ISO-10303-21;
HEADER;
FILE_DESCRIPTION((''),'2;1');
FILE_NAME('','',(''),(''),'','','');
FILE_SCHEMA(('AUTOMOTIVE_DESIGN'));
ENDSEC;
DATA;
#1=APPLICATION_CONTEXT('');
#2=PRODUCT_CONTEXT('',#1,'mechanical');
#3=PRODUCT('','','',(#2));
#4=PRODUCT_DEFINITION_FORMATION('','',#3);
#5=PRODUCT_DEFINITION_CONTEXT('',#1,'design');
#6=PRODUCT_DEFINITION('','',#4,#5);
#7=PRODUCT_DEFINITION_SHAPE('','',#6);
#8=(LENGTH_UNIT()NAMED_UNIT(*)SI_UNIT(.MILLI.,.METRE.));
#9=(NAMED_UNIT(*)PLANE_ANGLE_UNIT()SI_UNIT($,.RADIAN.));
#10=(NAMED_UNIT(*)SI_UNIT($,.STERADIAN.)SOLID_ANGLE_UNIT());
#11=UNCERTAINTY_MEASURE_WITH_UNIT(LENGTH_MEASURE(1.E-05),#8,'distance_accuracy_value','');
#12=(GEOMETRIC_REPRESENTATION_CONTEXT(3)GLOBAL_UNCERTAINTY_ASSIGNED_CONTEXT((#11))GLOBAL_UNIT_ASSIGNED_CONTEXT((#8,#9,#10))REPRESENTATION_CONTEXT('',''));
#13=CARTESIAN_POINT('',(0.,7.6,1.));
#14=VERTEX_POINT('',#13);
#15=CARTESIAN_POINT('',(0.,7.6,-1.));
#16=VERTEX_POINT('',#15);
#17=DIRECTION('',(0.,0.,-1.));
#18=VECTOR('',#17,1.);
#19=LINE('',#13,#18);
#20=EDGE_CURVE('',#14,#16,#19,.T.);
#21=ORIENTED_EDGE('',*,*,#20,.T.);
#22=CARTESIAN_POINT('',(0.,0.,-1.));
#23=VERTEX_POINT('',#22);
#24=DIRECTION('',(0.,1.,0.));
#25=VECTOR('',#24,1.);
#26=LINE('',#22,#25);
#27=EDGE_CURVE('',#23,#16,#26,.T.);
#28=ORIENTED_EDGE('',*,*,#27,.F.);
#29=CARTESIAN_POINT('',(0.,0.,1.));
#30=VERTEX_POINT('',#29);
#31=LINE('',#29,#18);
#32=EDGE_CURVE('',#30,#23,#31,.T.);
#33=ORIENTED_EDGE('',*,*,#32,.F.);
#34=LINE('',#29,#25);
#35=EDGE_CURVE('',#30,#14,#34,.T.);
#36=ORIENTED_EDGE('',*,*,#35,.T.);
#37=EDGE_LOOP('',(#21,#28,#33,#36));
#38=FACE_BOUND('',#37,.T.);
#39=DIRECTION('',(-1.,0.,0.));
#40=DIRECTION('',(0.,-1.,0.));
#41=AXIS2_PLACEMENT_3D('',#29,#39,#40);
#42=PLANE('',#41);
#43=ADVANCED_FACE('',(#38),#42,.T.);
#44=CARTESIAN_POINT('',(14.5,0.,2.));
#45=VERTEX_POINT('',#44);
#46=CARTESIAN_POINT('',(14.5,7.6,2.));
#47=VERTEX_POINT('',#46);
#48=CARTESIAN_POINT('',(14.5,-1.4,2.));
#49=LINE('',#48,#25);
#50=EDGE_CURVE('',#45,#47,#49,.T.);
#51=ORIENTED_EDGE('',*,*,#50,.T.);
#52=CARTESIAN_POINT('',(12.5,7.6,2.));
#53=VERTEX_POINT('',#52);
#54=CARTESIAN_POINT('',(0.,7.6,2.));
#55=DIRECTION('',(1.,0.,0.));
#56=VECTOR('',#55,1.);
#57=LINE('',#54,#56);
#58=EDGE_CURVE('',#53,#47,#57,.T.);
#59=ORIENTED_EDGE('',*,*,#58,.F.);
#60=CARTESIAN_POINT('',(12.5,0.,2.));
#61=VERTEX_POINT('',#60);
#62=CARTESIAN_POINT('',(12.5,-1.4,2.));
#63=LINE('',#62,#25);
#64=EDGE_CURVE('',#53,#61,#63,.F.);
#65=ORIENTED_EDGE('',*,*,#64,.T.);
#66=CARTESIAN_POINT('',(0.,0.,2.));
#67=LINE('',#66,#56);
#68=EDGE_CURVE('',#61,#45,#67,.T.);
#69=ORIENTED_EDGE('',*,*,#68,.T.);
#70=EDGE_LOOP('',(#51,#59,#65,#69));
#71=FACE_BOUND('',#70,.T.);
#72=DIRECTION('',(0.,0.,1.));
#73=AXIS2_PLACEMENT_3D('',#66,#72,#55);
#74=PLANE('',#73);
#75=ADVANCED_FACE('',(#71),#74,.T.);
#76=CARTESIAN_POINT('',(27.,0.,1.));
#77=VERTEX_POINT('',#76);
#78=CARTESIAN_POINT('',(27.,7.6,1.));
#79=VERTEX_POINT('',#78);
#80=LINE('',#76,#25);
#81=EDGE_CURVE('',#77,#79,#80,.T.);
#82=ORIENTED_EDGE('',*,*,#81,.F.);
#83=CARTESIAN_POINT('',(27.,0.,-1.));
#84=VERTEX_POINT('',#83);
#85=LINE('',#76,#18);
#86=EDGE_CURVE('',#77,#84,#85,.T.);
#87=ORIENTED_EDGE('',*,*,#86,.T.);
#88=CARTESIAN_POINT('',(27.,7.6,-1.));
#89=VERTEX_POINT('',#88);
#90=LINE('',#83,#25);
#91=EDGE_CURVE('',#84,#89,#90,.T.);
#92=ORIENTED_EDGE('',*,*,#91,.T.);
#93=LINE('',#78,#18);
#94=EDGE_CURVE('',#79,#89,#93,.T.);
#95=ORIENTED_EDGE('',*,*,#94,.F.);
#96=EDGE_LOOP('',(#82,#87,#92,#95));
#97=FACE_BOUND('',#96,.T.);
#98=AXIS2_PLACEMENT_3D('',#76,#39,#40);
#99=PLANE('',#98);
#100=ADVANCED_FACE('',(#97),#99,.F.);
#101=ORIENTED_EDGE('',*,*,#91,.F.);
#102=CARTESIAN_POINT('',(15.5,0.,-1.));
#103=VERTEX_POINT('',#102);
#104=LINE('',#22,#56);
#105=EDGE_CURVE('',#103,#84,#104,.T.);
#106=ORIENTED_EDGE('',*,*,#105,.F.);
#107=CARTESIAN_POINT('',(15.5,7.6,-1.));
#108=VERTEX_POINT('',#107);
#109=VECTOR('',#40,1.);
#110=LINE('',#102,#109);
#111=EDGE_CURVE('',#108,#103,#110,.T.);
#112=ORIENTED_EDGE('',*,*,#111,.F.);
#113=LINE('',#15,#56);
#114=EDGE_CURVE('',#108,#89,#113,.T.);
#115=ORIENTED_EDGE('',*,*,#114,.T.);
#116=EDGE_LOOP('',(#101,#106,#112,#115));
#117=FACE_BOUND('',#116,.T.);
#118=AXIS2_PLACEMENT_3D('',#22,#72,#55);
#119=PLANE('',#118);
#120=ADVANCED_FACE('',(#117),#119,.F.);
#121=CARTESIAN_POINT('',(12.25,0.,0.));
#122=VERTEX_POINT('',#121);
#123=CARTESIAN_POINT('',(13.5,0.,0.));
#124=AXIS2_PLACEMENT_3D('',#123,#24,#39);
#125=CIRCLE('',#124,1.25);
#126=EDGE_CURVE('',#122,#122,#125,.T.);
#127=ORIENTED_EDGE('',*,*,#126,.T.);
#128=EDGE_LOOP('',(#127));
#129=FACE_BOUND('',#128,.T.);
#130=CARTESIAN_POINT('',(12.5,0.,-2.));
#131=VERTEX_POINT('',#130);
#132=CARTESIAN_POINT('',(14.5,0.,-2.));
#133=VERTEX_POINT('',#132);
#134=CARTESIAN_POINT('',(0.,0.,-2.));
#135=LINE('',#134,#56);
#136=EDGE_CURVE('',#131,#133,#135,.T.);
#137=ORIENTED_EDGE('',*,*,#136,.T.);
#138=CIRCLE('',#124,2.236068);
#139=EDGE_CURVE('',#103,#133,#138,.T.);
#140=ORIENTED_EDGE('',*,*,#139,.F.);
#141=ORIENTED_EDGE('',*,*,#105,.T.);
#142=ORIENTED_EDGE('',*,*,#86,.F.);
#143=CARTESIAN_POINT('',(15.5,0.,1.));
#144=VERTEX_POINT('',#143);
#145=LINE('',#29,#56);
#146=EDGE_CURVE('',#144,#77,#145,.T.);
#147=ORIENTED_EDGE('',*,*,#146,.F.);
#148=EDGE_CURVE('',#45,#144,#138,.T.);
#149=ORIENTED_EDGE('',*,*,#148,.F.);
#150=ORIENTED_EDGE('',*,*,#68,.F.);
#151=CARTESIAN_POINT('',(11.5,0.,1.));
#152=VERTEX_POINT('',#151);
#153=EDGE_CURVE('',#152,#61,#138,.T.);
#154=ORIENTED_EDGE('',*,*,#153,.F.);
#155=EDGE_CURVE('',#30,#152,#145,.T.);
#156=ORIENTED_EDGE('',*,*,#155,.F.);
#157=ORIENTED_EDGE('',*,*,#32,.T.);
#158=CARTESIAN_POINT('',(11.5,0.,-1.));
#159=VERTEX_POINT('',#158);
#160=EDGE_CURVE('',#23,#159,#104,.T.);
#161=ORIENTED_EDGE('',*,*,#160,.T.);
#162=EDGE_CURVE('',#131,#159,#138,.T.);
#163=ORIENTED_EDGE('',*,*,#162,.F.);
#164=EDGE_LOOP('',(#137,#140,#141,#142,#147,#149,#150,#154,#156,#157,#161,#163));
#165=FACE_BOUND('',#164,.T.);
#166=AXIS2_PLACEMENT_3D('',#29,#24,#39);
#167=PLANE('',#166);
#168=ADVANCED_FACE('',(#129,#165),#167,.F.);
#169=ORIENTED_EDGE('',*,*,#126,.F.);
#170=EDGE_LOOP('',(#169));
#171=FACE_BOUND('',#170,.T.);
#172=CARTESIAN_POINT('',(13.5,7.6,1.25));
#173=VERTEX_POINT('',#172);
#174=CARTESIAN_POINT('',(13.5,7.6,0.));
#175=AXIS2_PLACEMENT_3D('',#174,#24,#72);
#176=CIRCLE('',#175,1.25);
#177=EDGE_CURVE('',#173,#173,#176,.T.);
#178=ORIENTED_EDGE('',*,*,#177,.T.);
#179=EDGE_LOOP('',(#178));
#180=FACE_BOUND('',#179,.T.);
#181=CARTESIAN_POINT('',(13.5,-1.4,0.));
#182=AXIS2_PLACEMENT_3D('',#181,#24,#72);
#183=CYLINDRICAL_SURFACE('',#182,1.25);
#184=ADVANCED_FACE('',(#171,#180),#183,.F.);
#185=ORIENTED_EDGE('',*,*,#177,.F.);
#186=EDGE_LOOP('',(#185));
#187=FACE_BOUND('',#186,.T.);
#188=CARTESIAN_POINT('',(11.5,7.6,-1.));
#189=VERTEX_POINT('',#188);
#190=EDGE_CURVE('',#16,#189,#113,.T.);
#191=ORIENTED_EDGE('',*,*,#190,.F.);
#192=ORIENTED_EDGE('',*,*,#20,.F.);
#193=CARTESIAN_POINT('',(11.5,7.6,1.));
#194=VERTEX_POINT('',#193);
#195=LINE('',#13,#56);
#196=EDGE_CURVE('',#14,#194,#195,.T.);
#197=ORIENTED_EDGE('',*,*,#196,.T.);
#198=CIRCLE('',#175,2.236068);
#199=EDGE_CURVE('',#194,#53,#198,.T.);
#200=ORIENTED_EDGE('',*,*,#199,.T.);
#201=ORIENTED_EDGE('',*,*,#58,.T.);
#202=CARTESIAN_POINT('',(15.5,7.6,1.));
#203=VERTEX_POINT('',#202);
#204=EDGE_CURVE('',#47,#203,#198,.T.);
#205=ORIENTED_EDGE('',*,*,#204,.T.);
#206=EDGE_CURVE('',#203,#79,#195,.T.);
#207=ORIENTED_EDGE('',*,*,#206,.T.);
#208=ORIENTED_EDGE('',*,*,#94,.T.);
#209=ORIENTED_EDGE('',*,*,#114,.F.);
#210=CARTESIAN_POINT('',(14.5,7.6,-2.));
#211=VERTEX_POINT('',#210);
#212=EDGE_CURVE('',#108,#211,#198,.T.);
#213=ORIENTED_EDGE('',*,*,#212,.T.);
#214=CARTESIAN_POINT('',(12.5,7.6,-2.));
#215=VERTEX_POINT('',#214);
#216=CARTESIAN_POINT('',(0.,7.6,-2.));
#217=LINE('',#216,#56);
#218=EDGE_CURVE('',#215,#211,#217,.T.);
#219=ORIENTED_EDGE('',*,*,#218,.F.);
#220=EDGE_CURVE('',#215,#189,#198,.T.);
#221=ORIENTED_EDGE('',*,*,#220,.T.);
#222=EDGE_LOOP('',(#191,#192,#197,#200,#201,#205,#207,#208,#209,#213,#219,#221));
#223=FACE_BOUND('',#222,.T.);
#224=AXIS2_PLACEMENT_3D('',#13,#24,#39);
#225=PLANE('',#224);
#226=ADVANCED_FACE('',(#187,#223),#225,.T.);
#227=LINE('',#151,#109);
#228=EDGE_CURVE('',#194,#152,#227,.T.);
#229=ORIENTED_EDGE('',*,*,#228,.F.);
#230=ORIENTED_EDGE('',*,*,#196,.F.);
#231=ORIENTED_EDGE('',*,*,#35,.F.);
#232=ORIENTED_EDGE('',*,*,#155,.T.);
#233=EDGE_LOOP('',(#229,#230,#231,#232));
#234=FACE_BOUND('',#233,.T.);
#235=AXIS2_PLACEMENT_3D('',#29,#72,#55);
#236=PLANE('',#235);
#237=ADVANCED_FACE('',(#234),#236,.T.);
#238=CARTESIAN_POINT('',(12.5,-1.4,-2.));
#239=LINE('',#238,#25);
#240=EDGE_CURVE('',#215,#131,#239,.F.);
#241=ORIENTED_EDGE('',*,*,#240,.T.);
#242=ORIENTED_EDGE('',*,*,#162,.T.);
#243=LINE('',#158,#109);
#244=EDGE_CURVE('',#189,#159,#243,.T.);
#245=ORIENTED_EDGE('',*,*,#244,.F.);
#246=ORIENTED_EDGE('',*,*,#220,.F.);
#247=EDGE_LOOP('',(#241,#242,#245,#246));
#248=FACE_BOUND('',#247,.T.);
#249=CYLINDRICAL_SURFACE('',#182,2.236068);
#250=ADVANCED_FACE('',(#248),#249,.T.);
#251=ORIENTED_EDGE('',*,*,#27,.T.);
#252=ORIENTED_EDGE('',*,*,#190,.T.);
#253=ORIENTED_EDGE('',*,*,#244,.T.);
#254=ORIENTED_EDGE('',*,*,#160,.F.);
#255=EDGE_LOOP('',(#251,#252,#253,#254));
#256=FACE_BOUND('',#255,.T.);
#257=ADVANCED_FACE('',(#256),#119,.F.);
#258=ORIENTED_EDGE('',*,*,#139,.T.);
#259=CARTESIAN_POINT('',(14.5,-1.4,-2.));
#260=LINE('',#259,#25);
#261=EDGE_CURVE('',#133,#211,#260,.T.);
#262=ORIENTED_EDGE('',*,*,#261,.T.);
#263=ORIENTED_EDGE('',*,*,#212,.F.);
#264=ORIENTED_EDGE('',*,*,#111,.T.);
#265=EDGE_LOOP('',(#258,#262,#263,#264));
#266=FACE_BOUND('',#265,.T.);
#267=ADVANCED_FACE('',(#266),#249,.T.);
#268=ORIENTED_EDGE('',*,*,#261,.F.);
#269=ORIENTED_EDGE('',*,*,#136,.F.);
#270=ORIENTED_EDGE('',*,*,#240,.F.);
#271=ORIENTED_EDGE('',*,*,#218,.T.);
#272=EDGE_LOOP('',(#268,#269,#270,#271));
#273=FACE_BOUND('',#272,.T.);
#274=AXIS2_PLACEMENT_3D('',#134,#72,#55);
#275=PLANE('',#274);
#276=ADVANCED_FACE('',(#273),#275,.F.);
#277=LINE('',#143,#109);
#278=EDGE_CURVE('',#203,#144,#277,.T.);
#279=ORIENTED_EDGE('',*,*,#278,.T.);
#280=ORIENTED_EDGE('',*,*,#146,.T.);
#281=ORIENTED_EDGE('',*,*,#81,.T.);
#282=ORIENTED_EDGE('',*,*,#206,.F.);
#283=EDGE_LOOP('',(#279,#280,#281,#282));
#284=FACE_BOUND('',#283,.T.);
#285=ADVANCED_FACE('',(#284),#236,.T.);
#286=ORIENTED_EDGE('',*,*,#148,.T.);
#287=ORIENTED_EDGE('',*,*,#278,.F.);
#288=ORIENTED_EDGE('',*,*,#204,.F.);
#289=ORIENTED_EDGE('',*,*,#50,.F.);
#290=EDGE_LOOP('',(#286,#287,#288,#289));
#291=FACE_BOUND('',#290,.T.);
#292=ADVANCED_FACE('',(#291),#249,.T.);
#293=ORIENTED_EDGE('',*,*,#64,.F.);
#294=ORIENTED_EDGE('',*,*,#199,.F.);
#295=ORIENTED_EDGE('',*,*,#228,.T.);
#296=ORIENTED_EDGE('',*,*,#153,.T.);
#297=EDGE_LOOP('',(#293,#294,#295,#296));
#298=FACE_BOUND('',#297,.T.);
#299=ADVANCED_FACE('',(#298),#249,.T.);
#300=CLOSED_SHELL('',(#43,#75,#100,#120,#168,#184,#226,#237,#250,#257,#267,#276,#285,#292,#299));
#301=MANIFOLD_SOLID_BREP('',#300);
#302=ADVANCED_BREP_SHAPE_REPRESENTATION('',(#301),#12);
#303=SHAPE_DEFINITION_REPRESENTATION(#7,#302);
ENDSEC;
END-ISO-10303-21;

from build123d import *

# Parameters (mm, degrees)
SKETCH1_W                = 11.5
SKETCH1_H                = 7.6
BOSS_EXTRUDE5_DEPTH      = 1
BOSS_EXTRUDE5_2_DEPTH    = 1
SKETCH1_5_W              = 11.5
SKETCH1_5_H              = 7.6
BOSS_EXTRUDE6_DEPTH      = 1
BOSS_EXTRUDE7_DEPTH      = 2
BOSS_EXTRUDE7_DEPTH_BACK = 2
SKETCH1_6_W              = 4
SKETCH1_6_H              = 7.6
SKETCH2_R                = 1.25
CUT_EXTRUDE1_DEPTH       = 9


with BuildPart() as part:
    # Sketch1 → Boss-Extrude5 (new body)
    with BuildSketch(Plane.XY):
        with Locations((5.75, 3.8)):
            Rectangle(SKETCH1_W, SKETCH1_H)
    extrude(amount=BOSS_EXTRUDE5_DEPTH)



with BuildPart() as body_2:
    # Sketch1 → Boss-Extrude5 2 (new body)
    with BuildSketch(Plane.XY):
        with Locations((21.25, 3.8)):
            Rectangle(SKETCH1_W, SKETCH1_H)
    extrude(amount=BOSS_EXTRUDE5_2_DEPTH)


with BuildPart() as part_1:
    add(part.part)

    add(body_2.part)  # Boss-Extrude6 merges body 2
    # Sketch1<5> → Boss-Extrude6 (add)
    with BuildSketch(Plane.XY):
        with Locations((5.75, 3.8)):
            Rectangle(SKETCH1_5_W, SKETCH1_5_H)
        with Locations((21.25, 3.8)):
            Rectangle(SKETCH1_5_W, SKETCH1_5_H)
    extrude(amount=-BOSS_EXTRUDE6_DEPTH)

    # Sketch1<6> → Boss-Extrude7 (add, two sides: drawn at the far end of the back side and taken through both)
    with BuildSketch(Plane.XY.offset(-BOSS_EXTRUDE7_DEPTH_BACK)):
        with Locations((13.5, 3.8)):
            Rectangle(SKETCH1_6_W, SKETCH1_6_H)
    extrude(amount=BOSS_EXTRUDE7_DEPTH + BOSS_EXTRUDE7_DEPTH_BACK)

    # Sketch2 → Cut-Extrude1 (cut)
    with BuildSketch(Plane(origin=(0, 7.6, 0), x_dir=(1, 0, 0), z_dir=(0, 1, 0))):
        with BuildLine():
            Line((12.5, 2), (11.5, 2))
            Line((11.5, 2), (11.5, 1))
            ThreePointArc((11.5, 1), (11.91886117, 1.58113883), (12.5, 2))
        make_face()
        with BuildLine():
            Line((15.5, 2), (14.5, 2))
            ThreePointArc((14.5, 2), (15.08113883, 1.58113883), (15.5, 1))
            Line((15.5, 1), (15.5, 2))
        make_face()
        with BuildLine():
            ThreePointArc((12.5, -2), (11.91886117, -1.58113883), (11.5, -1))
            Line((11.5, -1), (11.5, -2))
            Line((11.5, -2), (12.5, -2))
        make_face()
        with BuildLine():
            Line((15.5, -2), (15.5, -1))
            ThreePointArc((15.5, -1), (15.08113883, -1.58113883), (14.5, -2))
            Line((14.5, -2), (15.5, -2))
        make_face()
        with Locations((13.5, 0)):
            Circle(SKETCH2_R)
    extrude(amount=-CUT_EXTRUDE1_DEPTH, mode=Mode.SUBTRACT)


solid = part_1.part
